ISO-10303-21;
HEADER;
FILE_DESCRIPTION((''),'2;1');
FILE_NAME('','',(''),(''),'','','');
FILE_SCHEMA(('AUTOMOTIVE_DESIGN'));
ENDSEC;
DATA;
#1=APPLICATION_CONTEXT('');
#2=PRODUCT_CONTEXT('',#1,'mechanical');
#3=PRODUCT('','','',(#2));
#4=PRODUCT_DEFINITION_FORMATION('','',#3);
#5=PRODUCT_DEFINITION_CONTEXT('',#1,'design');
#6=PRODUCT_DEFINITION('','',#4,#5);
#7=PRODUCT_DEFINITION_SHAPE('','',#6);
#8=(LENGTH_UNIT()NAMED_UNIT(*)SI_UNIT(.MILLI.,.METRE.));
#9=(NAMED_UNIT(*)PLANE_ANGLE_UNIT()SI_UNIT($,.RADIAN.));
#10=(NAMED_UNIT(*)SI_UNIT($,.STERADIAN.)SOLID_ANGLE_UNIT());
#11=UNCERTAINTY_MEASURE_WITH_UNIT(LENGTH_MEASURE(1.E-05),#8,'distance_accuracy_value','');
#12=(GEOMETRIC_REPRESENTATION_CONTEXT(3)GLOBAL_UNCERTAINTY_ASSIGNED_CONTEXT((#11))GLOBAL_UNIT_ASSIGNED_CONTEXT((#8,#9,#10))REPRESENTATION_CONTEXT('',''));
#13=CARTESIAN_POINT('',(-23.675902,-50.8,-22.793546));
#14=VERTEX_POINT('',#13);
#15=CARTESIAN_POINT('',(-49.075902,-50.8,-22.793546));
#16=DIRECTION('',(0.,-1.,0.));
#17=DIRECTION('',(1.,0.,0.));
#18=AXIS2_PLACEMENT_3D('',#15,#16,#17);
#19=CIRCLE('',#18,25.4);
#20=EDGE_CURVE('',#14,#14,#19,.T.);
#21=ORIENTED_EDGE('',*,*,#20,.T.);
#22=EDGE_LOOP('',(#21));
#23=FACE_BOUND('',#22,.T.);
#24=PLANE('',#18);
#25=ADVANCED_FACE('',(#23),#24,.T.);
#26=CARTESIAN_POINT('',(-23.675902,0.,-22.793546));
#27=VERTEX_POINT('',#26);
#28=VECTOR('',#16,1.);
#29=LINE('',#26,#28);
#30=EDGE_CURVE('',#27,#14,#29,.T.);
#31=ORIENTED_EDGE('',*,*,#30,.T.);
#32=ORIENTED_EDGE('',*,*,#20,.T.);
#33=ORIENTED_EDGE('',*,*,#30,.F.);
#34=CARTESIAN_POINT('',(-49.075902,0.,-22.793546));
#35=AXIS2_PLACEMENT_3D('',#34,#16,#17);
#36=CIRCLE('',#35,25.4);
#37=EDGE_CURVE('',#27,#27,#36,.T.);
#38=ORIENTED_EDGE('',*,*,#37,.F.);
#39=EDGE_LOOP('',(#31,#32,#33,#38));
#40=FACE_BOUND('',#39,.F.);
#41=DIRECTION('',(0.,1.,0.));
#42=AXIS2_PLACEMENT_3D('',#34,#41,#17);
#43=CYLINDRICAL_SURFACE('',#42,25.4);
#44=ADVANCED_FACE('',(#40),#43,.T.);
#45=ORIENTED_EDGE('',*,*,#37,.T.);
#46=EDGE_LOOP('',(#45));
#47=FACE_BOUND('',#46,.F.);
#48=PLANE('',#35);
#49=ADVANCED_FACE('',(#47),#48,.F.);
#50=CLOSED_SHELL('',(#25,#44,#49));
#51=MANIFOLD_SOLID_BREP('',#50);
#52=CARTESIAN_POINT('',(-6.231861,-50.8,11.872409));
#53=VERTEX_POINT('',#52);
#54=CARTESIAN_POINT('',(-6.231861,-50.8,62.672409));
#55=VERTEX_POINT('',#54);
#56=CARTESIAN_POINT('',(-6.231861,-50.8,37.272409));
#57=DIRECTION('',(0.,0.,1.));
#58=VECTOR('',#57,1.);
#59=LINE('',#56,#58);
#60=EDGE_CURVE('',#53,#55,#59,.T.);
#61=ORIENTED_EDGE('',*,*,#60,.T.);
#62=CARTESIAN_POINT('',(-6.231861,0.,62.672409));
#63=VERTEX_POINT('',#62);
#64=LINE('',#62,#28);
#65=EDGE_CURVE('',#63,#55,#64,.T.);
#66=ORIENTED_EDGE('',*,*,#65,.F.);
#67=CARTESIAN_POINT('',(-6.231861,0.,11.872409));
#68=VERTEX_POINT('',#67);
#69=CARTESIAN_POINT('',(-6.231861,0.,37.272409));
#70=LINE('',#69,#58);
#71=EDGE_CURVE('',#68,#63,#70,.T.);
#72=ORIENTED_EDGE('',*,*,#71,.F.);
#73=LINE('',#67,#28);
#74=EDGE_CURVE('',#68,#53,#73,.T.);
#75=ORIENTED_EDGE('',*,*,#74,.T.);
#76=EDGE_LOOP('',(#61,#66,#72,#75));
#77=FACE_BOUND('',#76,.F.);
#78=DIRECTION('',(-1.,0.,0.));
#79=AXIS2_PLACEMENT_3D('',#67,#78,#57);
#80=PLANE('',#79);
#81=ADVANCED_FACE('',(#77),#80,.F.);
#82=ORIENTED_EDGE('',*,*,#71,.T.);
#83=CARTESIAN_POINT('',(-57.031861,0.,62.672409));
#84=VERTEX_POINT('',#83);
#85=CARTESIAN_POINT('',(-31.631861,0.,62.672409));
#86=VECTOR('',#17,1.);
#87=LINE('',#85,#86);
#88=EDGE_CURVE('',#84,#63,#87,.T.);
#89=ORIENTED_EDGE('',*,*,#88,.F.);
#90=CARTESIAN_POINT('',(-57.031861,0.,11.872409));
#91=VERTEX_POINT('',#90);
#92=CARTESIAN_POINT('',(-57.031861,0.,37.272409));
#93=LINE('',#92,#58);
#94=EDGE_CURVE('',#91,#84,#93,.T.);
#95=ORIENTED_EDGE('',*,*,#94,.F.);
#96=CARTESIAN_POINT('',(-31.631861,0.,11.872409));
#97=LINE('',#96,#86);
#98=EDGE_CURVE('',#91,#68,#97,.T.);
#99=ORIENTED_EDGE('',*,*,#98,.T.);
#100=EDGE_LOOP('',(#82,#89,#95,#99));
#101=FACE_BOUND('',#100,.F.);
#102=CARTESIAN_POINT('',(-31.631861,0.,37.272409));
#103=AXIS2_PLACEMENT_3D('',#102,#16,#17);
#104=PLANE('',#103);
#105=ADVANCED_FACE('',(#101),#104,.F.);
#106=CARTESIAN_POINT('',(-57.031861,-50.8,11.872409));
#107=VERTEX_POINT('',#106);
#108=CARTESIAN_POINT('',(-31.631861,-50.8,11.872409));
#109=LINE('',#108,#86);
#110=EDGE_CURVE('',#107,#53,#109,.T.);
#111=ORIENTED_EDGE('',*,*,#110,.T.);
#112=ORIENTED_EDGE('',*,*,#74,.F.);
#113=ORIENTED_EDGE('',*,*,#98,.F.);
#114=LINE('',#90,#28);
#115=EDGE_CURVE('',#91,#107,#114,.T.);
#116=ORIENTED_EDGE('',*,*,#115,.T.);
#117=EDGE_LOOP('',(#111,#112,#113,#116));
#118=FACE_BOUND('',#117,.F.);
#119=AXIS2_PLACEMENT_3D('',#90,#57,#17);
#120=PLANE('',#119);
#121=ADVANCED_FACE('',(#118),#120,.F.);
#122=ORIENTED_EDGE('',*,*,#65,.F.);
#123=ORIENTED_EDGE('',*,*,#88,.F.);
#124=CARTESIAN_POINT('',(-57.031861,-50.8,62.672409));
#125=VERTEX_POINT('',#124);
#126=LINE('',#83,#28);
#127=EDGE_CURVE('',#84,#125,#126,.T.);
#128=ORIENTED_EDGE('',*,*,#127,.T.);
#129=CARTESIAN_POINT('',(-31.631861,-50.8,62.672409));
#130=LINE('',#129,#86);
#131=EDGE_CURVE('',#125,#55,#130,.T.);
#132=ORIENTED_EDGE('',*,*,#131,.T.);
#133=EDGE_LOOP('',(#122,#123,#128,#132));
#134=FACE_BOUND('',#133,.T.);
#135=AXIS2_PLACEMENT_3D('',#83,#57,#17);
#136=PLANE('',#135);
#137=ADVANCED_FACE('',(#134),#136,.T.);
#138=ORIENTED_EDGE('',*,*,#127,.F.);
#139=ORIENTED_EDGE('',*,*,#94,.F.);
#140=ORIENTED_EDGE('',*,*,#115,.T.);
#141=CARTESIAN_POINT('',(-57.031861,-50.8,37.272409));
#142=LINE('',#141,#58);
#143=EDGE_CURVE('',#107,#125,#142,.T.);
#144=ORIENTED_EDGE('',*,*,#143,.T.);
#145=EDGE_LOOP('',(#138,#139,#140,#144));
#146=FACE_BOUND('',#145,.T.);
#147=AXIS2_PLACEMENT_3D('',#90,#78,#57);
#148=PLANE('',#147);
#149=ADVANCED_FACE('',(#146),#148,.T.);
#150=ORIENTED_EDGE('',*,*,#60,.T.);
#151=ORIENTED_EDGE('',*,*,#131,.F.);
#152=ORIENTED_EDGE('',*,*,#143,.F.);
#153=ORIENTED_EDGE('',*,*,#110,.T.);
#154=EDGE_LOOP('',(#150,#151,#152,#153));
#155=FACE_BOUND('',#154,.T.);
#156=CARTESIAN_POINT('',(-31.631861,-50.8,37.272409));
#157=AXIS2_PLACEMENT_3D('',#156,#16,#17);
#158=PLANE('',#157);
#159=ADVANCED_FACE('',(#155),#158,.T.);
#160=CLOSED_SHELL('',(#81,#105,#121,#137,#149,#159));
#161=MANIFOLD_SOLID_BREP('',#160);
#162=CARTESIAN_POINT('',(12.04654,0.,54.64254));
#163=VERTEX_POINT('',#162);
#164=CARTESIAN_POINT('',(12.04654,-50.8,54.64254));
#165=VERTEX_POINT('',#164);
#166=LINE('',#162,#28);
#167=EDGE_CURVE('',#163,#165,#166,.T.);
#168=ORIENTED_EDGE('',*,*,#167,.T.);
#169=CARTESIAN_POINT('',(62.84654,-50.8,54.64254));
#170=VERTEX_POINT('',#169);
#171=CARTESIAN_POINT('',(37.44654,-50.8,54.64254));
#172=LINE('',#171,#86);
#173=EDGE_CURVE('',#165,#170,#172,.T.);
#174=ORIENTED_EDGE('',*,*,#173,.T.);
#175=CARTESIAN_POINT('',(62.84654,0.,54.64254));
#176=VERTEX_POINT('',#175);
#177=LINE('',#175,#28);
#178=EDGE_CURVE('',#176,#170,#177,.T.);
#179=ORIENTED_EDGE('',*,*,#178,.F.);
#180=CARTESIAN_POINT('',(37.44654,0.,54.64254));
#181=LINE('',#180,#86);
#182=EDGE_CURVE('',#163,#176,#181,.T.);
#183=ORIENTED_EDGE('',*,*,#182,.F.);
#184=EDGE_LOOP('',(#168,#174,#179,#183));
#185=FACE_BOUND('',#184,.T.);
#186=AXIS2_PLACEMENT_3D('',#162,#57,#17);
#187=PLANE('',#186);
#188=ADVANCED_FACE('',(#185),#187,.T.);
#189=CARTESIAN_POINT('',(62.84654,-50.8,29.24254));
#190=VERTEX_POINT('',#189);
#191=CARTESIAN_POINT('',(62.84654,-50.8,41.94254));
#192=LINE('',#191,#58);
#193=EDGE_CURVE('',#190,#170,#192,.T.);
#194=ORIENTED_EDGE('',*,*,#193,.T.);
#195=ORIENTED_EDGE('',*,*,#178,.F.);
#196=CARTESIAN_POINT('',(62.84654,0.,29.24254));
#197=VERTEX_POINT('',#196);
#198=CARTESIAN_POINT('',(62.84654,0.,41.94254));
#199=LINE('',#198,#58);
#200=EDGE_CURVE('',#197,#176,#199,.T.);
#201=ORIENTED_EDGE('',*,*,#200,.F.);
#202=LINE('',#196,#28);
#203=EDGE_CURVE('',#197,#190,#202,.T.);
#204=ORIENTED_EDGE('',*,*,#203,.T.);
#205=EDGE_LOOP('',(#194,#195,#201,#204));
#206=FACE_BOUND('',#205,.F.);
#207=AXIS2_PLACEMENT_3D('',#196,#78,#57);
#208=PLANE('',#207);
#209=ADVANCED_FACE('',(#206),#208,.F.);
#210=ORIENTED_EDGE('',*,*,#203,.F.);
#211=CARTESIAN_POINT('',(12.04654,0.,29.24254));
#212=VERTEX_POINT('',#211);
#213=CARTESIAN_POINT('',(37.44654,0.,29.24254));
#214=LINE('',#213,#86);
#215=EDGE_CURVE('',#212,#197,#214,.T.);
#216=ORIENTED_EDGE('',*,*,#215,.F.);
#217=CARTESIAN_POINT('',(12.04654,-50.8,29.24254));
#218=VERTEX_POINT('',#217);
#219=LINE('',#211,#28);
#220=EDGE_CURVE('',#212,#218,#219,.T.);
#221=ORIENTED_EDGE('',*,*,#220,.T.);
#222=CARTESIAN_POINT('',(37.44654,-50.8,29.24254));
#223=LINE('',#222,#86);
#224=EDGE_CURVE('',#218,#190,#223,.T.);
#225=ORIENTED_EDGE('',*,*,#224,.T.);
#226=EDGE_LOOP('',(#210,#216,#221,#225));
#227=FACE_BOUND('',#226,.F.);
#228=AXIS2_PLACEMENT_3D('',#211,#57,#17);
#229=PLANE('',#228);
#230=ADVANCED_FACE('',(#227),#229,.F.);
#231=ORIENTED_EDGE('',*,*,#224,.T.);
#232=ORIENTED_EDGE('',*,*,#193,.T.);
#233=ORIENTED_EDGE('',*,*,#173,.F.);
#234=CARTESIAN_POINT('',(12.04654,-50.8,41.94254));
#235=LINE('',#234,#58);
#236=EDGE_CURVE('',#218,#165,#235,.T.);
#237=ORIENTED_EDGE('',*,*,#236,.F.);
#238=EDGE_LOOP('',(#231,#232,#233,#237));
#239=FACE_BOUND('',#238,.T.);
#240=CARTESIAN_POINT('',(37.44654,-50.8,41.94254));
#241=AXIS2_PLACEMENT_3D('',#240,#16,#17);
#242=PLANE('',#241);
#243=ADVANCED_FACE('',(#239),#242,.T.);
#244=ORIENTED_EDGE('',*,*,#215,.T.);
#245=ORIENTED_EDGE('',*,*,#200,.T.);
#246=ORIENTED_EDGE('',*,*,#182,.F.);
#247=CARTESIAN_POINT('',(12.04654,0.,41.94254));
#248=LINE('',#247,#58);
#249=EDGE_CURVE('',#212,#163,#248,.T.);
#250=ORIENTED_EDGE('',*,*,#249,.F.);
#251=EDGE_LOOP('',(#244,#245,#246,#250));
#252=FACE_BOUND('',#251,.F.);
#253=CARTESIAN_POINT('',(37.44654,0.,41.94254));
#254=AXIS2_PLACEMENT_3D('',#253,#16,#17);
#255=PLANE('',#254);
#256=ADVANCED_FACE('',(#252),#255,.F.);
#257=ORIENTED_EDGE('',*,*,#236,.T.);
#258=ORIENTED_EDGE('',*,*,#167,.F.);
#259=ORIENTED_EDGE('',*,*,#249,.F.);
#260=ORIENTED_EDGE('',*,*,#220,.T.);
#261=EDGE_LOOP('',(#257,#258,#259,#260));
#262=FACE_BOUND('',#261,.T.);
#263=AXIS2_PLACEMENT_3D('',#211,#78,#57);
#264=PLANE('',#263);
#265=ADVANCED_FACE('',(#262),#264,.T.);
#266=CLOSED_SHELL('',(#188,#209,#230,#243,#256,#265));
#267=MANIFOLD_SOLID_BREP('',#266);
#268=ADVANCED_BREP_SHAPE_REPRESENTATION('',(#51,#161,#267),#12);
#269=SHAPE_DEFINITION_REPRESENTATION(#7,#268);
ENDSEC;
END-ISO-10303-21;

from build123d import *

# Parameters (mm, degrees)
F0_W     = 50.8
F0_H     = 50.8
F3_DEPTH = 50.8
F1_W     = 50.8
F1_H     = 25.4
F4_DEPTH = 50.8
F2_R     = 25.4
F5_DEPTH = 50.8


with BuildPart() as f3:
    # F0 (on Front) → F3 (new body)
    with BuildSketch(Plane.XZ):
        with Locations((-31.631861, 37.272409)):
            Rectangle(F0_W, F0_H)
    extrude(amount=F3_DEPTH)


with BuildPart() as f4:
    # F1 (on Front) → F4 (new body)
    with BuildSketch(Plane.XZ):
        with Locations((37.44654, 41.94254)):
            Rectangle(F1_W, F1_H)
    extrude(amount=F4_DEPTH)


with BuildPart() as f5:
    # F2 (on Front) → F5 (new body)
    with BuildSketch(Plane.XZ):
        with Locations((-49.075902, -22.793546)):
            Circle(F2_R)
    extrude(amount=F5_DEPTH)


solid = Compound([f3.part, f4.part, f5.part])
